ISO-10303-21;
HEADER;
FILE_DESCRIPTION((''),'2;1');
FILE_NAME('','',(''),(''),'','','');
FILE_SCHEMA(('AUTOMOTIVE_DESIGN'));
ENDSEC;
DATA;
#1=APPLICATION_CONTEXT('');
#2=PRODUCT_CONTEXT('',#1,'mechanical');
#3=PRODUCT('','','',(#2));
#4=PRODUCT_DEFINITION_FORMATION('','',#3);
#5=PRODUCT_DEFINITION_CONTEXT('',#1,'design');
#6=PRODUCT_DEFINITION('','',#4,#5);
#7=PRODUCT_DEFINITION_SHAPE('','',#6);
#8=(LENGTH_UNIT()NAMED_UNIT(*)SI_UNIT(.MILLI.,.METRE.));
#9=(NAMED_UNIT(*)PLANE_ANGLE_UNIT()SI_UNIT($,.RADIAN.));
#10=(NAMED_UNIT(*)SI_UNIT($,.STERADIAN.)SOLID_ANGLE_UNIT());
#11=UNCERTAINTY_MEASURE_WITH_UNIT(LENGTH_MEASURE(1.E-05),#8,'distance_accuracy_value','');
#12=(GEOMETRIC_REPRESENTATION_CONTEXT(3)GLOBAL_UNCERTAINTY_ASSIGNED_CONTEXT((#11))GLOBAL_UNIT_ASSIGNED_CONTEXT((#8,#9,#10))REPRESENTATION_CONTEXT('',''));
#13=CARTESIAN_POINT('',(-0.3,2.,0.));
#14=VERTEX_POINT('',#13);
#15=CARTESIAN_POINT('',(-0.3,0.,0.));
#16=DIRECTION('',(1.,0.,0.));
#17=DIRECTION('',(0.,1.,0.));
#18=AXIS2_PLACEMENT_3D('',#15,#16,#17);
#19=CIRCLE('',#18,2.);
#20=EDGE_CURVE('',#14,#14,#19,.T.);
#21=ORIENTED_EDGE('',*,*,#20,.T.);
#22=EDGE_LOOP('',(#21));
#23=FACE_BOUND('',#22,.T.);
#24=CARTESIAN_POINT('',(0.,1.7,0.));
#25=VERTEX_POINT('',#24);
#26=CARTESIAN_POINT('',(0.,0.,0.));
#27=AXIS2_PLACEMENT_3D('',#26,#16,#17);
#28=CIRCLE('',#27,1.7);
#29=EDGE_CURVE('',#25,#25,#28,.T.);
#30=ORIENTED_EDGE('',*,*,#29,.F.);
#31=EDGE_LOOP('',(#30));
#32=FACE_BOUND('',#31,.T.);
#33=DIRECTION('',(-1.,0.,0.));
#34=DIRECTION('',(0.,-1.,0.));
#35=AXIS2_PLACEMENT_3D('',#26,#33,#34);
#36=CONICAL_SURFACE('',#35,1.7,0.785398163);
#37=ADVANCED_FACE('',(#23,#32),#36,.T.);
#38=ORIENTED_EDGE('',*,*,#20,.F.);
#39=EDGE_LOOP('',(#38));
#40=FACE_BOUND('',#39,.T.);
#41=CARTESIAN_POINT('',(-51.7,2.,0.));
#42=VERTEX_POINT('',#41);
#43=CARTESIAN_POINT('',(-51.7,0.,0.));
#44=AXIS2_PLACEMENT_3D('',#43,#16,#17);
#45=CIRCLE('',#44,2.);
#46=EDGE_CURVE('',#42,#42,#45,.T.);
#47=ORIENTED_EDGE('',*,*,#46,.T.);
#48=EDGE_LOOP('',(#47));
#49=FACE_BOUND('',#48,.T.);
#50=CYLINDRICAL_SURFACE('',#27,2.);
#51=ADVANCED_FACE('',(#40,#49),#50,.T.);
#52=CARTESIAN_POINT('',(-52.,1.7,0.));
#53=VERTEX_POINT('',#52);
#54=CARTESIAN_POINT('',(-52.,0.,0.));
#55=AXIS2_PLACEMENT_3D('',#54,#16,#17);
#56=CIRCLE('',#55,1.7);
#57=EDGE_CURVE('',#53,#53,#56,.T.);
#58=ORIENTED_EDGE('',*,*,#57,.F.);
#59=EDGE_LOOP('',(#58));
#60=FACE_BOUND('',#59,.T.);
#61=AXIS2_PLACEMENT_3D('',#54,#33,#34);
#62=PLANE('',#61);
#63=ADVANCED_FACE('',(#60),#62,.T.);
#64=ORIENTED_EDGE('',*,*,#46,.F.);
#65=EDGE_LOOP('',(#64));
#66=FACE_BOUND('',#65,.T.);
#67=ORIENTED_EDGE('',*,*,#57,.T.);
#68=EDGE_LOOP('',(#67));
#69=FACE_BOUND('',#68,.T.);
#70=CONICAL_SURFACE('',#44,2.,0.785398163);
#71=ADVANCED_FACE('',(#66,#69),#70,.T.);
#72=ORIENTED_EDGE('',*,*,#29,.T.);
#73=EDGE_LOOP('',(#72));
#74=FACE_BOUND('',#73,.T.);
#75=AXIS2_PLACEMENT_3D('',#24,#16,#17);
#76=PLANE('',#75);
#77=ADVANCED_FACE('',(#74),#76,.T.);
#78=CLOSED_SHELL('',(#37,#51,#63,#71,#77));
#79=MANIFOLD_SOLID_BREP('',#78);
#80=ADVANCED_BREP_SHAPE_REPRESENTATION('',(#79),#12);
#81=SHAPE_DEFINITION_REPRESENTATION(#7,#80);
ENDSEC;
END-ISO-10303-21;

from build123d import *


with BuildPart() as part:
    # Esquisse1 → Révolution1 (revolve)
    with BuildSketch(Plane.XY):
        Polygon((0, 0), (-52, 0), (-52, 1.7), (-51.7, 2), (-0.3, 2), (0, 1.7), align=None)
    revolve(axis=Axis((0, 0, 0), (-1, 0, 0)))


solid = part.part
